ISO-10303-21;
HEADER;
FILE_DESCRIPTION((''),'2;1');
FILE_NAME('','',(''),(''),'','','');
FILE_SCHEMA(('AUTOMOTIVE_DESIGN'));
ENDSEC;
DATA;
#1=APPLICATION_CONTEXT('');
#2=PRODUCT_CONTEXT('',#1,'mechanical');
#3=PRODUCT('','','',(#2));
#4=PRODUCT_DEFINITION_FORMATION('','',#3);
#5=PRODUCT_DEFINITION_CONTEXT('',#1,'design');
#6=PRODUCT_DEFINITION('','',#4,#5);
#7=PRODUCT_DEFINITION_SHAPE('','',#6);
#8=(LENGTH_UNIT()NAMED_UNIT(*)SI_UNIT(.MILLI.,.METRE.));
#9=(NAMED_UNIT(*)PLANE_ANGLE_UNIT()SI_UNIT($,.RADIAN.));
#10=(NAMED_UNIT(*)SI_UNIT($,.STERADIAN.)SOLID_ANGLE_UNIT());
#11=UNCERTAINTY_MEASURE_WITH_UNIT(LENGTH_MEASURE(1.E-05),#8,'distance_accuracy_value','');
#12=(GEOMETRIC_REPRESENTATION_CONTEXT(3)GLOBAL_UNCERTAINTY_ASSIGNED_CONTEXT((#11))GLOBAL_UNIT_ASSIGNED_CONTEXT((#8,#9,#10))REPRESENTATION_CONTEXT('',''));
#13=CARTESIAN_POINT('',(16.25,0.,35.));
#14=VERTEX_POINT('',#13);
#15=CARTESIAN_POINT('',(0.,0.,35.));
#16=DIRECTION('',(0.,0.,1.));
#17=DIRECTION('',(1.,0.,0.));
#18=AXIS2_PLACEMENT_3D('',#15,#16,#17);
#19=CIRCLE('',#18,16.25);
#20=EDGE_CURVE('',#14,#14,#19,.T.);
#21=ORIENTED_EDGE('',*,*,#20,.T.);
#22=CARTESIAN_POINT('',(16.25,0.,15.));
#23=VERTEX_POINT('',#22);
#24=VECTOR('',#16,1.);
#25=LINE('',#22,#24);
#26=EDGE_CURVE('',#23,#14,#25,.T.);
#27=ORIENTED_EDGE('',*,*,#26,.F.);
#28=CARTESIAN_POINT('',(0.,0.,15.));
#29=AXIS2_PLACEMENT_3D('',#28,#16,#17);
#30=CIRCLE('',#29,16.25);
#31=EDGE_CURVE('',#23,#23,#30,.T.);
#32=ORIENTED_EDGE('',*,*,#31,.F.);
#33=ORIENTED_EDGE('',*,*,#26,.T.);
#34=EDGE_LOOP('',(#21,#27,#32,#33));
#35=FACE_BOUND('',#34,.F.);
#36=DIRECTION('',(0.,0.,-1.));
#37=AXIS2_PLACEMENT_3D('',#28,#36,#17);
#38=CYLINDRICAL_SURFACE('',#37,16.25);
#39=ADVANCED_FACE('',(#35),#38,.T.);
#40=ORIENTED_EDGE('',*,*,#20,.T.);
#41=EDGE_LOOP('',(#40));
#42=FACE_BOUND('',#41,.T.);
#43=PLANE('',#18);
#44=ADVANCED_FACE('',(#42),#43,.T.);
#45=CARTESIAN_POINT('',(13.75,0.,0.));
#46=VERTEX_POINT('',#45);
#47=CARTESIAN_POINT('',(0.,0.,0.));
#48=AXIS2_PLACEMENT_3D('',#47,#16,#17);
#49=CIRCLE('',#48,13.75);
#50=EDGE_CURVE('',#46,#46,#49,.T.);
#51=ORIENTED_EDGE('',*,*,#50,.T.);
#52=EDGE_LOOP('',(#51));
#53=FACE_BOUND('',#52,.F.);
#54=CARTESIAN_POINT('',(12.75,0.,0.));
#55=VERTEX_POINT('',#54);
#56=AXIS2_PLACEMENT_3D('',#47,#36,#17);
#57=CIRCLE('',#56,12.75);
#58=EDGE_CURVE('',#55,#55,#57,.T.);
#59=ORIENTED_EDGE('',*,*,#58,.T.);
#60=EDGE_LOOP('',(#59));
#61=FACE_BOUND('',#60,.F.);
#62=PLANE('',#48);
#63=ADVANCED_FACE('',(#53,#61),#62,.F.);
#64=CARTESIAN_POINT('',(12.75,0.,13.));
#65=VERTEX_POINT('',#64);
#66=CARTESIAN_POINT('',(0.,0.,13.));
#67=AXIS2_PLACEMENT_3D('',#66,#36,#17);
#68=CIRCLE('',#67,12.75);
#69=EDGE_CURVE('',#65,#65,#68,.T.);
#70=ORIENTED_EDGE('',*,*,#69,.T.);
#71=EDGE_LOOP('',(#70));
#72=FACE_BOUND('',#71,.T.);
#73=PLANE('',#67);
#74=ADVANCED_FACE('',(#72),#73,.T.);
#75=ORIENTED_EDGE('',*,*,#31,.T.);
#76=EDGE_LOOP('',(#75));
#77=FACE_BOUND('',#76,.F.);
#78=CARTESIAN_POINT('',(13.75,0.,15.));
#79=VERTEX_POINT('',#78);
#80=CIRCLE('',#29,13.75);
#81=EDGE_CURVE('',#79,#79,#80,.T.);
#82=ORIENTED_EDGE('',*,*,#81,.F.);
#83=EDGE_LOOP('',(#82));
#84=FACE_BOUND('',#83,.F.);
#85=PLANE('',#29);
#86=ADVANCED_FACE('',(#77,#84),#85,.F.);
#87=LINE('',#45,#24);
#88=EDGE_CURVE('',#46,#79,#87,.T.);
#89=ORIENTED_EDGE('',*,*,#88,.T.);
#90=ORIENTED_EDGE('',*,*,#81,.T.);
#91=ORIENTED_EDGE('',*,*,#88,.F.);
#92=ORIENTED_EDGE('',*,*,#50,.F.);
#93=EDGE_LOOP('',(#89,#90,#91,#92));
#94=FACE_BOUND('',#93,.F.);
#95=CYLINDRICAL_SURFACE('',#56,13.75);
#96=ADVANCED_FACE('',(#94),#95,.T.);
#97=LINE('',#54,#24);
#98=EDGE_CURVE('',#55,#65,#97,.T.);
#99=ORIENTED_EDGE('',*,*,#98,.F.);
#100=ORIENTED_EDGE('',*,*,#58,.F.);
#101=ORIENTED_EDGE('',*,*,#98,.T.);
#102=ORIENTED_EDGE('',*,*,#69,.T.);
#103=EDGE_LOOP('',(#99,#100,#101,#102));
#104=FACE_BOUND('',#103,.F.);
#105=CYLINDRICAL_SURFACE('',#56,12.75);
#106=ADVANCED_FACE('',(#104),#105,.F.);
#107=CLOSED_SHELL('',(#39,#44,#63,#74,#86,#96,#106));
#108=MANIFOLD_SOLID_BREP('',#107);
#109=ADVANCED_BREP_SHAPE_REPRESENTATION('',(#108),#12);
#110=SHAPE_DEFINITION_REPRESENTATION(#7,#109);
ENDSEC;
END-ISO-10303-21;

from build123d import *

# Parameters (mm, degrees)
SKETCH_R     = 13.75
PAD_DEPTH    = 15
SKETCH001_R  = 12.75
POCKET_DEPTH = 13
SKETCH002_R  = 16.25
PAD001_DEPTH = 20


with BuildPart() as part:
    # Sketch → Pad (new body)
    with BuildSketch(Plane.XY):
        Circle(SKETCH_R)
    extrude(amount=PAD_DEPTH)

    # Sketch001 (on Face2 of Pad) → Pocket (cut)
    with BuildSketch(Plane(origin=(0, 0, 0), x_dir=(1, 0, 0), z_dir=(0, 0, -1))):
        Circle(SKETCH001_R)
    extrude(amount=-POCKET_DEPTH, mode=Mode.SUBTRACT)

    # Sketch002 (on Face3 of Pocket) → Pad001 (join)
    with BuildSketch(Plane.XY.offset(15)):
        Circle(SKETCH002_R)
    extrude(amount=PAD001_DEPTH)


solid = part.part
